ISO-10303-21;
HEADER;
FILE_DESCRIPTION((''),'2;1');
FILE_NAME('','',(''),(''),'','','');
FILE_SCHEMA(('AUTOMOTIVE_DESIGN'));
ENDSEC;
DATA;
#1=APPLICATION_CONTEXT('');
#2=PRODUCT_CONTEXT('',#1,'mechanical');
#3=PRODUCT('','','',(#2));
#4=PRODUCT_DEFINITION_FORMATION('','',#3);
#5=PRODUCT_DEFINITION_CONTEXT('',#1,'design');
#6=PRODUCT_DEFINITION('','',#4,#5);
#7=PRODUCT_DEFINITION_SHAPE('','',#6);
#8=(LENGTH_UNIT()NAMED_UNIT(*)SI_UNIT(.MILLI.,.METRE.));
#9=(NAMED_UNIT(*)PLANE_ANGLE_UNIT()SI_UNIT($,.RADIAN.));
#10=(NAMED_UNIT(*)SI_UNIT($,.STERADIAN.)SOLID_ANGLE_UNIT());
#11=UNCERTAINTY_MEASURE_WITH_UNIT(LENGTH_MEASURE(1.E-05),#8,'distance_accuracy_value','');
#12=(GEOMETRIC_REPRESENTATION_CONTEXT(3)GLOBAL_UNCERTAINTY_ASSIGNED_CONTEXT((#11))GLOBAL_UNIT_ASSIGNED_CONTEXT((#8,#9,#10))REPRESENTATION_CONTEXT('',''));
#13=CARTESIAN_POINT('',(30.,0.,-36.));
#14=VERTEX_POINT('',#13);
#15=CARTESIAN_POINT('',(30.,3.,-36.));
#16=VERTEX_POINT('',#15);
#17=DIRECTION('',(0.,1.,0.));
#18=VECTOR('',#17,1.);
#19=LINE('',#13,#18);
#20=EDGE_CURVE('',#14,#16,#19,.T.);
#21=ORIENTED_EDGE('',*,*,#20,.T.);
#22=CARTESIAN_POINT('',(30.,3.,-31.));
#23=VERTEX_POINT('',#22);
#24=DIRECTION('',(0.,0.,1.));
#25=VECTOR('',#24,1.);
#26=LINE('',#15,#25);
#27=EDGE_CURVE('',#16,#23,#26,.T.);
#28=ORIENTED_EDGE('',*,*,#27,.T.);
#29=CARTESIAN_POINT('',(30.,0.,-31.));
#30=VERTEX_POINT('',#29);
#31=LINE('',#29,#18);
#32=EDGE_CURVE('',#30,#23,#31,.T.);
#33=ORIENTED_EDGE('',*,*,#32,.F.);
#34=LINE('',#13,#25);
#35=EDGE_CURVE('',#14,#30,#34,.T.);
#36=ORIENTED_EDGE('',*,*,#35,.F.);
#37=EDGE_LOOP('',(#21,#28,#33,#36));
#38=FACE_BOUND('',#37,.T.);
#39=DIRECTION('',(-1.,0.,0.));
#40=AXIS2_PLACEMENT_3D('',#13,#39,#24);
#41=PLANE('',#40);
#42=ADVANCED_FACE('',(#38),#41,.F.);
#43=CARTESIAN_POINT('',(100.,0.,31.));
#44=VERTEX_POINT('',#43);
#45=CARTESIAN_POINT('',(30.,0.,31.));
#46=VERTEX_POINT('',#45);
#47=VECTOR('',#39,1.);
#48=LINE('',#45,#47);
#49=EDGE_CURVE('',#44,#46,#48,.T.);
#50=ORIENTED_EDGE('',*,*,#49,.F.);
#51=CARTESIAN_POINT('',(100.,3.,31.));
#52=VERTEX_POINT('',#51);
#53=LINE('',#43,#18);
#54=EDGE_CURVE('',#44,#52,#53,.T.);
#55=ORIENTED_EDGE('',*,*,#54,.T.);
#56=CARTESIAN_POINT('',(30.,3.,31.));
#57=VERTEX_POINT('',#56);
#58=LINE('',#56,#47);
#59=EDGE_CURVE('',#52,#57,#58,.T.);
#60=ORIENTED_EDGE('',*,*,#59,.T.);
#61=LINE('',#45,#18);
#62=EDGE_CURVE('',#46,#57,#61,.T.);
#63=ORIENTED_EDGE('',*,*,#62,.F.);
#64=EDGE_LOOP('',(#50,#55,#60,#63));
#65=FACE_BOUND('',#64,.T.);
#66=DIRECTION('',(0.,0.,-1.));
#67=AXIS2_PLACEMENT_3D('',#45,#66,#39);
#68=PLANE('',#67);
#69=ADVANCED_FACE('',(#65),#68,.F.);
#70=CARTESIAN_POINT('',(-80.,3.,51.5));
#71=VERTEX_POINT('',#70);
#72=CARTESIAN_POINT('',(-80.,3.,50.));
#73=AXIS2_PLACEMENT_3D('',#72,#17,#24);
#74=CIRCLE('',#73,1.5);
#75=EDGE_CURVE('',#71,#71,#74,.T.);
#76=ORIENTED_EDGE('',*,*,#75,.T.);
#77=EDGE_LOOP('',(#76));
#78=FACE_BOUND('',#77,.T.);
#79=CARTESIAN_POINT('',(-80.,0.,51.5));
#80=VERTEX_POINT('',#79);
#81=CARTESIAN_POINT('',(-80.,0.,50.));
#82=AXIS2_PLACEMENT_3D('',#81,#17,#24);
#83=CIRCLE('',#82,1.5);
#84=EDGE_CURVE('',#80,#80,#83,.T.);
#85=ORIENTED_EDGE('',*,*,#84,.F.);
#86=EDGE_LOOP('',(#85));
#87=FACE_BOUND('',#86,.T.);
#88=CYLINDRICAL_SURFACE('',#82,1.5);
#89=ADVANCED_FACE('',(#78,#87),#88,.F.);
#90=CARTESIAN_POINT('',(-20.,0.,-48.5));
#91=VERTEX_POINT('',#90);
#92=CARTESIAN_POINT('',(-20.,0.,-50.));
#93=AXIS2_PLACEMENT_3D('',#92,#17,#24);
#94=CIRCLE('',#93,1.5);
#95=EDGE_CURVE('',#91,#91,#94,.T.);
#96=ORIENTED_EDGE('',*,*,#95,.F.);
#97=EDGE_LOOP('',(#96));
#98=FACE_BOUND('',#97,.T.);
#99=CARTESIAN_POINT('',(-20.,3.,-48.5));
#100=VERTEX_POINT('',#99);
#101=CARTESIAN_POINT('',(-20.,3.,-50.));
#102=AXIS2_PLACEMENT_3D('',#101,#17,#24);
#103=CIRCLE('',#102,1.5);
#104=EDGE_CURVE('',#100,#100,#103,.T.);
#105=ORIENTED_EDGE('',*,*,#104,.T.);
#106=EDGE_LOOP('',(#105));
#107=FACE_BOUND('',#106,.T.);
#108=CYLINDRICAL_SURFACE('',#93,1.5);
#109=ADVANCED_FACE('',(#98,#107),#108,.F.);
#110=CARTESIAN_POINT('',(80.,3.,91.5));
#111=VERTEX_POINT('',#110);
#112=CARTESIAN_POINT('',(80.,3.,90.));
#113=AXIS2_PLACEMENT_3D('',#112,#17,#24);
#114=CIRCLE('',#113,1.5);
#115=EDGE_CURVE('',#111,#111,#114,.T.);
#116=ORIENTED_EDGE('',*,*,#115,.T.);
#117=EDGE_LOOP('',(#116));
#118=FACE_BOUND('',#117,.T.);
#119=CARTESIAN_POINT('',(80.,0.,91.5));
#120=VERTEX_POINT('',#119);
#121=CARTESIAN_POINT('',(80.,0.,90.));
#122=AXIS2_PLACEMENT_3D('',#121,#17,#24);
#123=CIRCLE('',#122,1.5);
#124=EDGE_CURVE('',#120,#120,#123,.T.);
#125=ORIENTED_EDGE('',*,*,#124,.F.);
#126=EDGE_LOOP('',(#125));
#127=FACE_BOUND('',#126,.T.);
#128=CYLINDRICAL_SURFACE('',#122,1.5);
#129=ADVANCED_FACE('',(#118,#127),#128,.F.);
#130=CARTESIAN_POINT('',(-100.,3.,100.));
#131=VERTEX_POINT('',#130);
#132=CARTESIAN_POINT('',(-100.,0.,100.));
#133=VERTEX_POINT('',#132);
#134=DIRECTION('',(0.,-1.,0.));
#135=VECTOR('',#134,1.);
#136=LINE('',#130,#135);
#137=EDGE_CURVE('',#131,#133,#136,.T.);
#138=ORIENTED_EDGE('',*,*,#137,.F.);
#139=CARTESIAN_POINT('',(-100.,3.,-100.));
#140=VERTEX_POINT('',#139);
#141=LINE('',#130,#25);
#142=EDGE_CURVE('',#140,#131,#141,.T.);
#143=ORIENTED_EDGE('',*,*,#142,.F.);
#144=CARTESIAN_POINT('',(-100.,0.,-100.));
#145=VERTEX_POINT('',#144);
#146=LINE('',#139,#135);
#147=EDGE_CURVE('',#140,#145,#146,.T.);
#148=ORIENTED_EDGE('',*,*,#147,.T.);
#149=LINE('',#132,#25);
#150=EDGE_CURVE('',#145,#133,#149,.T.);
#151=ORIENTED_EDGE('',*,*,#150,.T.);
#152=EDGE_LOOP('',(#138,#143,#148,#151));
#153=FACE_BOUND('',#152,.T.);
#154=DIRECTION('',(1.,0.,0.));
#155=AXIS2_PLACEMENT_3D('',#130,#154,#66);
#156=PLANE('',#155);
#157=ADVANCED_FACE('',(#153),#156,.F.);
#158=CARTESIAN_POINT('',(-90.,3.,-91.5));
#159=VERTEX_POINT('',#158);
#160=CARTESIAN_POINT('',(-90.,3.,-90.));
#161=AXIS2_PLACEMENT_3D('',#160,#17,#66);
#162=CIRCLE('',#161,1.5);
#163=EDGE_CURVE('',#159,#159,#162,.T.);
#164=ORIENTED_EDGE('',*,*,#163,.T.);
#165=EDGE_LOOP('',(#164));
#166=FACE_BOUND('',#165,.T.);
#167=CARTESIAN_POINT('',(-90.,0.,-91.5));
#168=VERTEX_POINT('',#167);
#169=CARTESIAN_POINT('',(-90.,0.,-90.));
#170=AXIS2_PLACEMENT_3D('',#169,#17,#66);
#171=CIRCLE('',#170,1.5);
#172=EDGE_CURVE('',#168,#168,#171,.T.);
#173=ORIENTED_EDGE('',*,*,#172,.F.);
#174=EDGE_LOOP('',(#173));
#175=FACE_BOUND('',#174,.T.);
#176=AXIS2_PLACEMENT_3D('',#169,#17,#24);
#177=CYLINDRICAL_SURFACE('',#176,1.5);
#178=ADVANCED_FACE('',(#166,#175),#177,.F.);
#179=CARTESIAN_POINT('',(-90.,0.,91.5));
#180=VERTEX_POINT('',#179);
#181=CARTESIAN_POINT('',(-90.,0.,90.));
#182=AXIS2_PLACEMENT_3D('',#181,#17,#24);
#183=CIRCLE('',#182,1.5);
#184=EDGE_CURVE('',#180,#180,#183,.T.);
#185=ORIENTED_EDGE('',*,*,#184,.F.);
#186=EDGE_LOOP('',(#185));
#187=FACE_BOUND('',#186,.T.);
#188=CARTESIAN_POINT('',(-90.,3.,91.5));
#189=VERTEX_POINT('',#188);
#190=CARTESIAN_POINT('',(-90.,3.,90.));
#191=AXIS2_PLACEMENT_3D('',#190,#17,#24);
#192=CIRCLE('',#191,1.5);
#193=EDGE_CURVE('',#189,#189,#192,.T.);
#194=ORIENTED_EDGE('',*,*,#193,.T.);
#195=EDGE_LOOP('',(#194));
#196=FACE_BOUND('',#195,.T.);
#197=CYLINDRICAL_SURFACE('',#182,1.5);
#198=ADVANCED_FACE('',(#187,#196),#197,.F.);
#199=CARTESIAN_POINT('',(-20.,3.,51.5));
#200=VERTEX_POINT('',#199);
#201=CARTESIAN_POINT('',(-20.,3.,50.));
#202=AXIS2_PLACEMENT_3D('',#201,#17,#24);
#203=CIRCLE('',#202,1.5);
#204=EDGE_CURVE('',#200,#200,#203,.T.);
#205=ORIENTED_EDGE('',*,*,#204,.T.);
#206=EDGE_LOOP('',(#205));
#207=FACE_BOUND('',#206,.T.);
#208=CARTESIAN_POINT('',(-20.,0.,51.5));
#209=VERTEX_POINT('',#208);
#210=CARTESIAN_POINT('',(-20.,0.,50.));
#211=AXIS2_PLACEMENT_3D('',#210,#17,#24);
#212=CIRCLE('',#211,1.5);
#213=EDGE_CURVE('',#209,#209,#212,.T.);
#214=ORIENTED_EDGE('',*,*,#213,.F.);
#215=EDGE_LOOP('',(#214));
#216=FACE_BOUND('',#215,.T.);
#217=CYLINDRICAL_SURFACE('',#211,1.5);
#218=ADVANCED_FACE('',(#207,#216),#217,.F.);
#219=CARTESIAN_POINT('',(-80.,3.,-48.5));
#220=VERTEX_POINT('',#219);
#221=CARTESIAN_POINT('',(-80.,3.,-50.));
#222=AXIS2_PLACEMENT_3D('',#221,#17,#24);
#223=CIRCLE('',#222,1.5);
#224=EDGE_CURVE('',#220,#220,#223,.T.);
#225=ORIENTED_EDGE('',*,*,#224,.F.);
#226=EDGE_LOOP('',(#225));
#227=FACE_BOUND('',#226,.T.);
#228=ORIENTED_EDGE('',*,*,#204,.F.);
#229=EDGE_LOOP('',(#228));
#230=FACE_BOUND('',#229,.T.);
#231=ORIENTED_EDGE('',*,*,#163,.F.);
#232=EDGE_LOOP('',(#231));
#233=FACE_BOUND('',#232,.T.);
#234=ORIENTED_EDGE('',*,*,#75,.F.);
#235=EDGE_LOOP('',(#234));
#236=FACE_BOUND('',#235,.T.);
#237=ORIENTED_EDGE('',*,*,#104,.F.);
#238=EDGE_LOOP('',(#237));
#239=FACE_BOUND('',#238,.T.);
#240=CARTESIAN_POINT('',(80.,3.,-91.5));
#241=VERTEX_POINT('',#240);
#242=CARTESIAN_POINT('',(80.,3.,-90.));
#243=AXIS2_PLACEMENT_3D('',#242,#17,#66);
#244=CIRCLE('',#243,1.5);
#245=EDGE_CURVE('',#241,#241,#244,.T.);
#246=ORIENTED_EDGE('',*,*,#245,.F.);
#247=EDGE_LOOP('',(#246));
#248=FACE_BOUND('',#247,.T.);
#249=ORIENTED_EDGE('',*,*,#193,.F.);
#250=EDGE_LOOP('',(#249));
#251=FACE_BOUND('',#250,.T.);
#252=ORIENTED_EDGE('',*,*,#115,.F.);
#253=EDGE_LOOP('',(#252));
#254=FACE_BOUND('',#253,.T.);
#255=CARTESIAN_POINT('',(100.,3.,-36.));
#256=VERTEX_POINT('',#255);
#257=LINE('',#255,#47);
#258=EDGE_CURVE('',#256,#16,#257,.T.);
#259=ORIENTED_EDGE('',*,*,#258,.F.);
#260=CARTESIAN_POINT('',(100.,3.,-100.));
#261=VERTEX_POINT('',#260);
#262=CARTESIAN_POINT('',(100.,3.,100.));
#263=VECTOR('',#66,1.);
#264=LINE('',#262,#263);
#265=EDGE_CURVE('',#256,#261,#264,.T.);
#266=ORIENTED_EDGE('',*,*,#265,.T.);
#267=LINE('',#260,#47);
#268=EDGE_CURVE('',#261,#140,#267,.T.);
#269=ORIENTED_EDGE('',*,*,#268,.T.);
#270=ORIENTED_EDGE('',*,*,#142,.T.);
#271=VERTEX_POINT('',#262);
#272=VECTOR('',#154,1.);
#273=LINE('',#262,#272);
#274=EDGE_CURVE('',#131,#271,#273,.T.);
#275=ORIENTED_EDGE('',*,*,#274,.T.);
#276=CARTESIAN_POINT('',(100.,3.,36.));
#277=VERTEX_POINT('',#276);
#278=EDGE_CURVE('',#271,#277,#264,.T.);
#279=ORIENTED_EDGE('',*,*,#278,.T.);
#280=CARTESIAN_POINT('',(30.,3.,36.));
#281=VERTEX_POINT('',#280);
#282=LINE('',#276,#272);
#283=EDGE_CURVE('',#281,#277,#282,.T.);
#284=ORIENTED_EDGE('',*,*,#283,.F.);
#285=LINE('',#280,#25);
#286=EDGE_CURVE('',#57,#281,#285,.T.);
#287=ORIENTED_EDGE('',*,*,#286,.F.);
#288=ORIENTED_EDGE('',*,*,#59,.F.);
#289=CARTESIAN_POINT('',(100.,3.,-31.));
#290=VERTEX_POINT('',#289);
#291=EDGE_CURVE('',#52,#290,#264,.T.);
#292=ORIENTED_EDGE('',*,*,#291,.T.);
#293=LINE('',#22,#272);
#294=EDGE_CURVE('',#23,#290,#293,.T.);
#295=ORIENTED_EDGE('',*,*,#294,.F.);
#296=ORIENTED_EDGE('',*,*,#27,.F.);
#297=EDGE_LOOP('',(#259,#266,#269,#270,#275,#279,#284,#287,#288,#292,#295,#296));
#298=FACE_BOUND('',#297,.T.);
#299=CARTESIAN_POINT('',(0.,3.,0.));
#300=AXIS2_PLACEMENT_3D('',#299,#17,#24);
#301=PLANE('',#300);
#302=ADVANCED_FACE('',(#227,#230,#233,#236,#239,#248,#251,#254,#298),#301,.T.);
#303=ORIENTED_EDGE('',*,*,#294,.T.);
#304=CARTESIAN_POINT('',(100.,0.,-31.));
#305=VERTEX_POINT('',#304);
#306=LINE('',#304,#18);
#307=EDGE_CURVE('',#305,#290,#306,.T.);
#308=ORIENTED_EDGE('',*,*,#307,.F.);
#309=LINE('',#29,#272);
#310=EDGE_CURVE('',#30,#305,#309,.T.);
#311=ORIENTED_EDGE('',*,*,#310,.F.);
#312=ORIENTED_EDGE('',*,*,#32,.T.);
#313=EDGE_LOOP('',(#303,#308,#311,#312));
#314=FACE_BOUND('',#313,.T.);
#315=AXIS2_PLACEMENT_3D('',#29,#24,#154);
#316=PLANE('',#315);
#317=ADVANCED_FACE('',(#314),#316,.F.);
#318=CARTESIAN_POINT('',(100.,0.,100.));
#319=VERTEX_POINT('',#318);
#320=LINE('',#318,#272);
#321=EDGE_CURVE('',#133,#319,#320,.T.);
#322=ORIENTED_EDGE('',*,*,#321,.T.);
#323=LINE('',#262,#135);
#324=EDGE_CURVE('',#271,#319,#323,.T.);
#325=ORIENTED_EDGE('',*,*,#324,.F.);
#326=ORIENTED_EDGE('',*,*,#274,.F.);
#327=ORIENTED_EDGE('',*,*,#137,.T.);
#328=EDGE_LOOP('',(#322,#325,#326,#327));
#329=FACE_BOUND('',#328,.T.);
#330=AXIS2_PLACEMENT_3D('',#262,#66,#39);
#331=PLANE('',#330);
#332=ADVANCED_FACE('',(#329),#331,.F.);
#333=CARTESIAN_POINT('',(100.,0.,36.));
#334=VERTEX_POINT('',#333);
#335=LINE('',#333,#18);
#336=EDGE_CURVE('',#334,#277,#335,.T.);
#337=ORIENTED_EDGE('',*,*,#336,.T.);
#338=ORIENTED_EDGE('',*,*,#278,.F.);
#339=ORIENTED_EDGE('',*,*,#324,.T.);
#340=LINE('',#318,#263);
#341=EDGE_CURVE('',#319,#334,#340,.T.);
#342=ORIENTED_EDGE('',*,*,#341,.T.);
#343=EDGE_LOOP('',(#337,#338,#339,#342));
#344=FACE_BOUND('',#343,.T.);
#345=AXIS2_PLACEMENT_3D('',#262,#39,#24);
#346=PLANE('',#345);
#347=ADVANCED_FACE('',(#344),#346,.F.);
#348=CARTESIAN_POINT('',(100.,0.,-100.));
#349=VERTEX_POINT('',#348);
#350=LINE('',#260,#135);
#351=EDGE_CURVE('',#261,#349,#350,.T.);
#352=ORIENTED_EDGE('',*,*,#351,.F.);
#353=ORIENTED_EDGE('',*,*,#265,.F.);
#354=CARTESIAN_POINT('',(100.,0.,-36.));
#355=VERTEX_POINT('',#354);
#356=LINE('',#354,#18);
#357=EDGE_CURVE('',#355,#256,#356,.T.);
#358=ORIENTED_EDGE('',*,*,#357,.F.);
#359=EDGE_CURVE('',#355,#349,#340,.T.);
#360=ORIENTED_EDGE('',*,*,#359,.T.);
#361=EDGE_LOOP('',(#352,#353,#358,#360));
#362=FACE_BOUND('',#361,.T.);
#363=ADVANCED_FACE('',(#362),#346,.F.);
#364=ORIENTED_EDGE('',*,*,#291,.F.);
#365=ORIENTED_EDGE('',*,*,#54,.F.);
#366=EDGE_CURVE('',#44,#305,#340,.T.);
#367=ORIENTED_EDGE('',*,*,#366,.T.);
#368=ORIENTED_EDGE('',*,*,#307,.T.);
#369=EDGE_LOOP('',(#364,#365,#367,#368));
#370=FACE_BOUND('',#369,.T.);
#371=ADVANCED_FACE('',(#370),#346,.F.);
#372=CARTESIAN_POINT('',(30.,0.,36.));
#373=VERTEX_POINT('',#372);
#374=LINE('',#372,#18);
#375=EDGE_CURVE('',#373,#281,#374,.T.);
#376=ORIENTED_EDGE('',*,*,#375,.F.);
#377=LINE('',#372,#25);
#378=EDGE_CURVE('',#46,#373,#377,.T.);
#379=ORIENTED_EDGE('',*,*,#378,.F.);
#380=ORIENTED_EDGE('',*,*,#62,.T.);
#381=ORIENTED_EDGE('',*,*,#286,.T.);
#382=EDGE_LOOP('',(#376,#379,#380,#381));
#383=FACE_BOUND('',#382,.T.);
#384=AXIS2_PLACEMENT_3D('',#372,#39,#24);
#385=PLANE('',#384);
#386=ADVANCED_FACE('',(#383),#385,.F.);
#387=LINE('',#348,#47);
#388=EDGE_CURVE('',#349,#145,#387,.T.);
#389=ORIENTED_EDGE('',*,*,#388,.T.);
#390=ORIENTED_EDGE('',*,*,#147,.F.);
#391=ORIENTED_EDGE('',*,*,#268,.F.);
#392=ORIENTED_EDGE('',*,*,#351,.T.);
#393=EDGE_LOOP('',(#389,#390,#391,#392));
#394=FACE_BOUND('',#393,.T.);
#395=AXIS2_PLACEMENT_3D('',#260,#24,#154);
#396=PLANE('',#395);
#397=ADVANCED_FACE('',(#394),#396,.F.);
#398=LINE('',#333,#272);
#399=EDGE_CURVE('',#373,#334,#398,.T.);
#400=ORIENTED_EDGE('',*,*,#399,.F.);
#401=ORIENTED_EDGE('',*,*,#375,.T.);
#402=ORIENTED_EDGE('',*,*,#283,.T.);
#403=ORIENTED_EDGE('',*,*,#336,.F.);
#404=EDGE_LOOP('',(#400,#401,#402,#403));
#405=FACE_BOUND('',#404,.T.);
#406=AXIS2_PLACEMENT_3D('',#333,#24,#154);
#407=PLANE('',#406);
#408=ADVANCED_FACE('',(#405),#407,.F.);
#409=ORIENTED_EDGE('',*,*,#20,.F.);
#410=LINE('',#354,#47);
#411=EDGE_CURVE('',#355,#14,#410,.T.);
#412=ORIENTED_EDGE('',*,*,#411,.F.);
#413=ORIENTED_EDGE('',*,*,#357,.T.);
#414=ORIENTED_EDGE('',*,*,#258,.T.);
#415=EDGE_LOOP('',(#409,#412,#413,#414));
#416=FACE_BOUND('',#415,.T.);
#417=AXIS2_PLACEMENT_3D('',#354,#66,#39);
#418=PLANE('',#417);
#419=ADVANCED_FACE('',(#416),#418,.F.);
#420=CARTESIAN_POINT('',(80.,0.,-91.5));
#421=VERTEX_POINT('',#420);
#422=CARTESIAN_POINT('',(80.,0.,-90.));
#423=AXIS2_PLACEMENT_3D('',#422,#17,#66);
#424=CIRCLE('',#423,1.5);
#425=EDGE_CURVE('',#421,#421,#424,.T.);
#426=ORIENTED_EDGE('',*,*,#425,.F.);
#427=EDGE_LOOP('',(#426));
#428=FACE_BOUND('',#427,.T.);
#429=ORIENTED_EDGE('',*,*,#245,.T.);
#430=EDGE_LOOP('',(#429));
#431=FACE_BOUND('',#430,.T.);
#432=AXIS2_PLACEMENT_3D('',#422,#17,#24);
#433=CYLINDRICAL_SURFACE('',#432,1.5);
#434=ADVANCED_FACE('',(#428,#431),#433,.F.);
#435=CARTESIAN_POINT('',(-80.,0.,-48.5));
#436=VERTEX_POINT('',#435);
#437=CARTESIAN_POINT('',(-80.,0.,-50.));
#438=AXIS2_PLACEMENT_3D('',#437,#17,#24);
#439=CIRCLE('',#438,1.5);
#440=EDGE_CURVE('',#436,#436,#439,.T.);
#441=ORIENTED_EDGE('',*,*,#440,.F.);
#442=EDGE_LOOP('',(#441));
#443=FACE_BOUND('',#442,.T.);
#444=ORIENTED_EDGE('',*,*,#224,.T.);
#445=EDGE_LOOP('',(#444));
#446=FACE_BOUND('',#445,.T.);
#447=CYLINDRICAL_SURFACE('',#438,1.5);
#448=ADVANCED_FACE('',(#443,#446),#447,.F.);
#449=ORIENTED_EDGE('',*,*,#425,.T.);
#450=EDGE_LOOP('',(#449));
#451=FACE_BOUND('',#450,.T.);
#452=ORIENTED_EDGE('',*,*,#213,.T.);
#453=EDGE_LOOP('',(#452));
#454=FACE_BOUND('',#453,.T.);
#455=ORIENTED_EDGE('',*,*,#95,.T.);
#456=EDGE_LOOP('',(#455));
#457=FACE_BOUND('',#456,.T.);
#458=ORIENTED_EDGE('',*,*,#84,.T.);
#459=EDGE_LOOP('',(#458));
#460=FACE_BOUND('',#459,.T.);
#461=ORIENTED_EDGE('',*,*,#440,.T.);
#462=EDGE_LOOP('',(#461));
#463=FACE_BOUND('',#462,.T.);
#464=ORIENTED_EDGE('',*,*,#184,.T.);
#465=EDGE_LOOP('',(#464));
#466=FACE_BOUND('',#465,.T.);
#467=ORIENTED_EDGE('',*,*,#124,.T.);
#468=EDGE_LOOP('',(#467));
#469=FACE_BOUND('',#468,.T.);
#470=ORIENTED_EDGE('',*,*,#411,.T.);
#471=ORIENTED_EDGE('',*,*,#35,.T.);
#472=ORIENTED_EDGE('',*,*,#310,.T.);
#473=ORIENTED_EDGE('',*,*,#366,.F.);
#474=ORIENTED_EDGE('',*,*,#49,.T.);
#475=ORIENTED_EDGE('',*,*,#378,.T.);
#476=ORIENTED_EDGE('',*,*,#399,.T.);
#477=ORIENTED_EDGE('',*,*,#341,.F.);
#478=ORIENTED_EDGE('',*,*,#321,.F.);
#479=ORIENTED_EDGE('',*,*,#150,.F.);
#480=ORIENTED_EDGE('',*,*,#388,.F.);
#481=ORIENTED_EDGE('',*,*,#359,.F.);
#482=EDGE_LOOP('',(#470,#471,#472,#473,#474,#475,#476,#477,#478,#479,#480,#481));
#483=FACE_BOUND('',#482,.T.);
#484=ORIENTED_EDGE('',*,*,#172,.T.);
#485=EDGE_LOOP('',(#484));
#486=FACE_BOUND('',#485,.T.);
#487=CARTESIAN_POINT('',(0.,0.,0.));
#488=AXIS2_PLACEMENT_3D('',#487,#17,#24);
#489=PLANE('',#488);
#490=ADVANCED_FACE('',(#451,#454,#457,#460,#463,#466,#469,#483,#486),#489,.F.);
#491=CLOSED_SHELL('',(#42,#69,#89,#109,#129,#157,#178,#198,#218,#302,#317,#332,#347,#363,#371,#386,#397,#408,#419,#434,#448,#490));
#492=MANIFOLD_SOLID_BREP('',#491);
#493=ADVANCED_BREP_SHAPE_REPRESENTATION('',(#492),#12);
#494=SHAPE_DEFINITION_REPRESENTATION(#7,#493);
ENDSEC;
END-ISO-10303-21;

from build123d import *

# Parameters (mm, degrees)
SKETCH1_W           = 200
SKETCH1_H           = 200
BOSS_EXTRUDE1_DEPTH = 3
SKETCH2_R           = 1.5
CUT_EXTRUDE1_DEPTH  = 3
SKETCH3_W           = 70
SKETCH3_H           = 5
CUT_EXTRUDE2_DEPTH  = 3
SKETCH4_R           = 1.5
CUT_EXTRUDE5_DEPTH  = 3


with BuildPart() as part:
    # Sketch1 → Boss-Extrude1 (new body)
    with BuildSketch(Plane(origin=(0, 0, 0), x_dir=(1, 0, 0), z_dir=(0, 1, 0))):
        Rectangle(SKETCH1_W, SKETCH1_H)
    extrude(amount=BOSS_EXTRUDE1_DEPTH)

    # Sketch2 → Cut-Extrude1 (cut)
    with BuildSketch(Plane(origin=(0, 3, 0), x_dir=(1, 0, 0), z_dir=(0, 1, 0))):
        with Locations(Location((-90, -90, 0), (0, 0, 270))):
            Circle(SKETCH2_R)
        with Locations(Location((80, -90, 0), (0, 0, 270))):
            Circle(SKETCH2_R)
        with Locations(Location((80, 90, 0), (0, 0, 90))):
            Circle(SKETCH2_R)
        with Locations(Location((-90, 90, 0), (0, 0, 90))):
            Circle(SKETCH2_R)
    extrude(amount=-CUT_EXTRUDE1_DEPTH, mode=Mode.SUBTRACT)

    # Sketch3 → Cut-Extrude2 (cut)
    with BuildSketch(Plane(origin=(0, 3, 0), x_dir=(1, 0, 0), z_dir=(0, 1, 0))):
        with Locations((65, -33.5)):
            Rectangle(SKETCH3_W, SKETCH3_H)
        with Locations((65, 33.5)):
            Rectangle(SKETCH3_W, SKETCH3_H)
    extrude(amount=-CUT_EXTRUDE2_DEPTH, mode=Mode.SUBTRACT)

    # Sketch4 → Cut-Extrude5 (cut)
    with BuildSketch(Plane(origin=(0, 3, 0), x_dir=(1, 0, 0), z_dir=(0, 1, 0))):
        with Locations(Location((-80, -50, 0), (0, 0, 270))):
            Circle(SKETCH4_R)
        with Locations(Location((-20, -50, 0), (0, 0, 270))):
            Circle(SKETCH4_R)
        with Locations(Location((-80, 50, 0), (0, 0, 270))):
            Circle(SKETCH4_R)
        with Locations(Location((-20, 50, 0), (0, 0, 270))):
            Circle(SKETCH4_R)
    extrude(amount=-CUT_EXTRUDE5_DEPTH, mode=Mode.SUBTRACT)


solid = part.part
